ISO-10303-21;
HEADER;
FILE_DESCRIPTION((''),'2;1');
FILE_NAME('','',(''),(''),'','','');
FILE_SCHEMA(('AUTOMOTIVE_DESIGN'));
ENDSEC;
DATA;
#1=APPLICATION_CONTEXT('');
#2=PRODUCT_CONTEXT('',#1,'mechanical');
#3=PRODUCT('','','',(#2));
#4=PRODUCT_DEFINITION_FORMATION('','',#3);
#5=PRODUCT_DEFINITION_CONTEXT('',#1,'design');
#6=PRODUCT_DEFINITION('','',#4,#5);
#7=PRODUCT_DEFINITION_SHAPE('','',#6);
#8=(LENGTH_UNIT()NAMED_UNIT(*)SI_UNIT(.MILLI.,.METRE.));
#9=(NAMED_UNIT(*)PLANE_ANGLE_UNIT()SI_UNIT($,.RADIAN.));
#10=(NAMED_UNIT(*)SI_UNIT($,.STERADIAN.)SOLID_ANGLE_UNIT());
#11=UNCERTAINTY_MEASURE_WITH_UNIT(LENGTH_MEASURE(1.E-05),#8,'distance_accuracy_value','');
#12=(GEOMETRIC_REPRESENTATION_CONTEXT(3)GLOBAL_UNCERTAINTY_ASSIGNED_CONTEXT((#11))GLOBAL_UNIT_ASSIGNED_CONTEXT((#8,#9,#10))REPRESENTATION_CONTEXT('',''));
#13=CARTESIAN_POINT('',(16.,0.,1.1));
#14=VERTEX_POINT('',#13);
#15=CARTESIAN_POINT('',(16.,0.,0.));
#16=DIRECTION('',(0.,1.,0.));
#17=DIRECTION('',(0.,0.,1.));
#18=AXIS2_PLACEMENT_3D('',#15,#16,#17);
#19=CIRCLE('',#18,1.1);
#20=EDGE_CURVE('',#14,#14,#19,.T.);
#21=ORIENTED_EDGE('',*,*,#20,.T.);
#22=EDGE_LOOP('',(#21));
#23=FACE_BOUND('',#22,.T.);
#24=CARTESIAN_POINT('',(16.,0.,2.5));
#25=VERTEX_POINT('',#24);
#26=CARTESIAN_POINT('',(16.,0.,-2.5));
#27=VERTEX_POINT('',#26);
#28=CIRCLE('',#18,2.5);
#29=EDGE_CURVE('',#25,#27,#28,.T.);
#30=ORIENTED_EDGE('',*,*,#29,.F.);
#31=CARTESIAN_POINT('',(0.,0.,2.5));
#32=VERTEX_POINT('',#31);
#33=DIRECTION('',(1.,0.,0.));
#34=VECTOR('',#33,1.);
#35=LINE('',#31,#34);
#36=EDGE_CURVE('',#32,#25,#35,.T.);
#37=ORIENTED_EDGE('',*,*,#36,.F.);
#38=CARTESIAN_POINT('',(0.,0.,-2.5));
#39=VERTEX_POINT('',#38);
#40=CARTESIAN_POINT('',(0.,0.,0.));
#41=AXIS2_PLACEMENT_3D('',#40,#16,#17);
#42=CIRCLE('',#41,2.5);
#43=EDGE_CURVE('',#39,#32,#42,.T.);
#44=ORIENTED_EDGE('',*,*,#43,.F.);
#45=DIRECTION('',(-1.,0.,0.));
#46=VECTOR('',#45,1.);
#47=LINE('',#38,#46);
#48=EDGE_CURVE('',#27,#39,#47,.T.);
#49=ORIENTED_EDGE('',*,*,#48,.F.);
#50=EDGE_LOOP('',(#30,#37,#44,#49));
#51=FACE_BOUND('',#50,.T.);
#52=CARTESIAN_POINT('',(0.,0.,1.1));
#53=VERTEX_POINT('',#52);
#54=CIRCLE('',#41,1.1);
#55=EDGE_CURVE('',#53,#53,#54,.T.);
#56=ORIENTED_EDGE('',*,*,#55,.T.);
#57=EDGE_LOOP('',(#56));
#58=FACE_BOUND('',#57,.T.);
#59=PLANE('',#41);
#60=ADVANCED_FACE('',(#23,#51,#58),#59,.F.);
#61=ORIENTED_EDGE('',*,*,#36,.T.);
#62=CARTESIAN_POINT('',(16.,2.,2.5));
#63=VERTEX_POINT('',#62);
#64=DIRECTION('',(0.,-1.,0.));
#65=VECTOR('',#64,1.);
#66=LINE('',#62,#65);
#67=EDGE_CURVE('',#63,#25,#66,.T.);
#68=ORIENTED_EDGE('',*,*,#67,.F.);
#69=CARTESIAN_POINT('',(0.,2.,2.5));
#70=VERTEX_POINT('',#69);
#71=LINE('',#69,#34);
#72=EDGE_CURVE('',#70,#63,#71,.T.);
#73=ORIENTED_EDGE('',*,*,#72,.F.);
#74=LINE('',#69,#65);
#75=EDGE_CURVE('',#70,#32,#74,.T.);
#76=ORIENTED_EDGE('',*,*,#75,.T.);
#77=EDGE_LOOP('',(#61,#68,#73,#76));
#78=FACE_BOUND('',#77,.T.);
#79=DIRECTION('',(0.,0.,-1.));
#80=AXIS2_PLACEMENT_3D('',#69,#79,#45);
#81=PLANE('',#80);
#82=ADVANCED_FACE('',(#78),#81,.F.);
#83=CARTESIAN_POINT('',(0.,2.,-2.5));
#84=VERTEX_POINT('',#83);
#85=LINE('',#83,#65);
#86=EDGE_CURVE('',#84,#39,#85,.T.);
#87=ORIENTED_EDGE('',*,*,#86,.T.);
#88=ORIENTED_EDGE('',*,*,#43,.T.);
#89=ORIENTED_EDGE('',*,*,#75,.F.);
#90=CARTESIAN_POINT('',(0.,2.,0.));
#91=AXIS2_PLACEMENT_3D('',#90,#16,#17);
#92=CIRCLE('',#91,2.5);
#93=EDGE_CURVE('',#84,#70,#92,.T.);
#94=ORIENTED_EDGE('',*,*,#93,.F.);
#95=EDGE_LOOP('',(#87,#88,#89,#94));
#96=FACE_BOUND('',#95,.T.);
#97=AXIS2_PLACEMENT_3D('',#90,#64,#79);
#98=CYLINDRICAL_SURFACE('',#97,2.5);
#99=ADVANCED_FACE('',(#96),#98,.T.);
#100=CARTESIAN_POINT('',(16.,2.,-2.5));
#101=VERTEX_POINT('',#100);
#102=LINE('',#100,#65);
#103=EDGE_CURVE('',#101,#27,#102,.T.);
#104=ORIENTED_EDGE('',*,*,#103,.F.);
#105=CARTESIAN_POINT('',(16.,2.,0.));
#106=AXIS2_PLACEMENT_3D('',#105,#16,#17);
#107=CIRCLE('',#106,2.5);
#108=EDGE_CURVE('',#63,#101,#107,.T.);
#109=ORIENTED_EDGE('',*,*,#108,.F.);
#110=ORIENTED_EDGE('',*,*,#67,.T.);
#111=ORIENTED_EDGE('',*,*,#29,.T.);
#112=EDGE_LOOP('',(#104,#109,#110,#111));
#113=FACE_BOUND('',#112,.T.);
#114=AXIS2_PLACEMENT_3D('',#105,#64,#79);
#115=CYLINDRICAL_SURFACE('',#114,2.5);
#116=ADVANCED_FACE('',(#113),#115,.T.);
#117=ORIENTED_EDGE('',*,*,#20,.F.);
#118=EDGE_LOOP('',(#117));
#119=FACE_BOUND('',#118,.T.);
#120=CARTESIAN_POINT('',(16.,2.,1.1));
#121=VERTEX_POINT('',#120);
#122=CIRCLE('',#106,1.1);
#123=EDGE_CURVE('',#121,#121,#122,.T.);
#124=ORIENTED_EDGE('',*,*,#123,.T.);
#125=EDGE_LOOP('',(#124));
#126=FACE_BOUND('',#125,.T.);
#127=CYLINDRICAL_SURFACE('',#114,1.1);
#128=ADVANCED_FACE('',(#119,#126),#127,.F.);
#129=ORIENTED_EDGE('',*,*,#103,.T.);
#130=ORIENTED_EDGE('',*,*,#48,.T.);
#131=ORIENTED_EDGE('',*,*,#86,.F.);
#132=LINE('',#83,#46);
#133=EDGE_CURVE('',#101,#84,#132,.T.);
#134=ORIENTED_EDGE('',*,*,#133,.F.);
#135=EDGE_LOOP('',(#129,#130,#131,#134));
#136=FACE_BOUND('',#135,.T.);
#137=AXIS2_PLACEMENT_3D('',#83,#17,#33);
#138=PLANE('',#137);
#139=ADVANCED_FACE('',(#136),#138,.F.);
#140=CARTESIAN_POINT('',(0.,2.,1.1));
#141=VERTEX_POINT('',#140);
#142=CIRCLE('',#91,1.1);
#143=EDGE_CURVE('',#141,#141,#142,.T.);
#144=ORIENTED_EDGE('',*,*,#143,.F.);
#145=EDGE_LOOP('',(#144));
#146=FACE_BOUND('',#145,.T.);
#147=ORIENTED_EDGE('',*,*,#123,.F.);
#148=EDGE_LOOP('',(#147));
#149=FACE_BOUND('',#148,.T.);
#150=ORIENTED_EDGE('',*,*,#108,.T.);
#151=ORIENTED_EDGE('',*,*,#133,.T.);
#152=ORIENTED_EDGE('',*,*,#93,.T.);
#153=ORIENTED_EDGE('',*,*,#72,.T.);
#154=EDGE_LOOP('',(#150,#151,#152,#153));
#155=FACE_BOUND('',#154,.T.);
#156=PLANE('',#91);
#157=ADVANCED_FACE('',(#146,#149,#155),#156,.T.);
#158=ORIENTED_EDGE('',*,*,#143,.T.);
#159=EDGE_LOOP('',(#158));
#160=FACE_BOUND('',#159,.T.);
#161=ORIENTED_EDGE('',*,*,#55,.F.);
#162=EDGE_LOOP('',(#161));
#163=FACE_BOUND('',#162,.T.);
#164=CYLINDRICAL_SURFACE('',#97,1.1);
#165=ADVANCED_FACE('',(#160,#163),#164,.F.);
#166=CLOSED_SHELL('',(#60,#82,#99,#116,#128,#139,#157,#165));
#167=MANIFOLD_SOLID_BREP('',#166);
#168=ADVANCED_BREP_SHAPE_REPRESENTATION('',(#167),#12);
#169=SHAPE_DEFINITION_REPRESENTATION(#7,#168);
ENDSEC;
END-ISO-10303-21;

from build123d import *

# Parameters (mm, degrees)
SKETCH1_R           = 1.1
BOSS_EXTRUDE1_DEPTH = 2


with BuildPart() as part:
    # Sketch1 → Boss-Extrude1 (new body)
    with BuildSketch(Plane(origin=(0, 0, 0), x_dir=(1, 0, 0), z_dir=(0, 1, 0))):
        with BuildLine():
            Line((0, 2.5), (16, 2.5))
            ThreePointArc((16, 2.5), (18.5, 0), (16, -2.5))
            Line((16, -2.5), (0, -2.5))
            ThreePointArc((0, -2.5), (-2.5, 0), (0, 2.5))
        make_face()
        Circle(SKETCH1_R, mode=Mode.SUBTRACT)
        with Locations((16, 0)):
            Circle(SKETCH1_R, mode=Mode.SUBTRACT)
    extrude(amount=BOSS_EXTRUDE1_DEPTH)


solid = part.part
